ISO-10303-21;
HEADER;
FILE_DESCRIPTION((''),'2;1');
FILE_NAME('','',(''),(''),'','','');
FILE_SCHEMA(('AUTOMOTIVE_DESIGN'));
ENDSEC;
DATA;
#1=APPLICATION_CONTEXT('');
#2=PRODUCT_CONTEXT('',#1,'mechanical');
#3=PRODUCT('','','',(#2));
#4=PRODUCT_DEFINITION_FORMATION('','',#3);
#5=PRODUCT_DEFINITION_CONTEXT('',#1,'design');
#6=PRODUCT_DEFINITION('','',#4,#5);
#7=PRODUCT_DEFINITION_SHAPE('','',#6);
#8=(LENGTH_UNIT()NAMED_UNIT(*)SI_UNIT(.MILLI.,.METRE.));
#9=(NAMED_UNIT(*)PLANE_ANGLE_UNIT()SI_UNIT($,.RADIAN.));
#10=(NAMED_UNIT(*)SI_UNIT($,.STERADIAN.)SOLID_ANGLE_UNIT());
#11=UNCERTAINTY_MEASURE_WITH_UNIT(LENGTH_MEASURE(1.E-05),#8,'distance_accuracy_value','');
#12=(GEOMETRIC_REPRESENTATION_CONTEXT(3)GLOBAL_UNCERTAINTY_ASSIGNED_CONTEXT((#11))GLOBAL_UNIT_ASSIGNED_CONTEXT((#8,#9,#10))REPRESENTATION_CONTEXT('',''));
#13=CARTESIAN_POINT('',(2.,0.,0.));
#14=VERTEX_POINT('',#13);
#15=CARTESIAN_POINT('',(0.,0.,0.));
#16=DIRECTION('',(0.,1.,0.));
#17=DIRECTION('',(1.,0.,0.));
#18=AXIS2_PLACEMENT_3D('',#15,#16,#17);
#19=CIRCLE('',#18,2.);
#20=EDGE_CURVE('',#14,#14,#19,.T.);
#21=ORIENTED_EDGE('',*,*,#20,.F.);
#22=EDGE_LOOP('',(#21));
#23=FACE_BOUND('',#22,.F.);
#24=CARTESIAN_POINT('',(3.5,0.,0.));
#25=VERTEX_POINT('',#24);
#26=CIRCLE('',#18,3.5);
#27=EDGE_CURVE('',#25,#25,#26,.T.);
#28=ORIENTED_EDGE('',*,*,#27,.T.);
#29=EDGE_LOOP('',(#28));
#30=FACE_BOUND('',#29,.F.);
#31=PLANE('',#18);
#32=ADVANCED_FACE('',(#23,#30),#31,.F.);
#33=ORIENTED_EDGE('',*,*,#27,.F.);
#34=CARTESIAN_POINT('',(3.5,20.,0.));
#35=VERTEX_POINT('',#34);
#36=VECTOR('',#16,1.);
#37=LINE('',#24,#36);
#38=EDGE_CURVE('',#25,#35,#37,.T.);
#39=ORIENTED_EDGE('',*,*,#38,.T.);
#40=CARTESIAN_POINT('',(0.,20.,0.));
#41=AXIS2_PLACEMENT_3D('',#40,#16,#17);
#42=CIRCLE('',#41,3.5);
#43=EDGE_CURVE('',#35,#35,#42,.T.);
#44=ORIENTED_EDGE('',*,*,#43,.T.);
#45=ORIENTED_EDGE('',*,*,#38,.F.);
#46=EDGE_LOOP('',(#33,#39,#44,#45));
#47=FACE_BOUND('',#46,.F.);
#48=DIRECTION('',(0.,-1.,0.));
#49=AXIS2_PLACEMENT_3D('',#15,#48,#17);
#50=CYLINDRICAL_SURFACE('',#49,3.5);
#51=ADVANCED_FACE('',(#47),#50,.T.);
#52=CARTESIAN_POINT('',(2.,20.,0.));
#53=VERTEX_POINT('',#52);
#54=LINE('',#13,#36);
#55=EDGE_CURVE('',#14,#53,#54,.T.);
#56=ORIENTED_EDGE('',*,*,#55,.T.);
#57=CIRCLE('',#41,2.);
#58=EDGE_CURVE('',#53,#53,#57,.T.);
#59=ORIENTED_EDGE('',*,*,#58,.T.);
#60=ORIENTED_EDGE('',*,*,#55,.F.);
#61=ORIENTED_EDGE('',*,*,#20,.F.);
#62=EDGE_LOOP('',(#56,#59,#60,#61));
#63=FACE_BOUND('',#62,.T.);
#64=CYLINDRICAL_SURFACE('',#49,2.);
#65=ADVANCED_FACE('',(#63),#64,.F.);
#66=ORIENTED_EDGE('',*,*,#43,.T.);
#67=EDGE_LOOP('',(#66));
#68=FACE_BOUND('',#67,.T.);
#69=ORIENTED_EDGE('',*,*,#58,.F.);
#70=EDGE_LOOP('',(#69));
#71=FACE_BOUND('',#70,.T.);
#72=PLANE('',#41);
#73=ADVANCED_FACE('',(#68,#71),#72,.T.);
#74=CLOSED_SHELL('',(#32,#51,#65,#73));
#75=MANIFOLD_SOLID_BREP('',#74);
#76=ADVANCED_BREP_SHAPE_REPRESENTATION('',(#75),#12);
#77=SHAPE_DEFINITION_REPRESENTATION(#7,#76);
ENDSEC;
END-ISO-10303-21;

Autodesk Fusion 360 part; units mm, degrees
sketch "Sketch1" plane through (0, 0, 0) normal (0, 1, 0) x (1, 0, 0)
  circle A0 centre (0, 0) radius 3.5
  circle A1 centre (0, 0) radius 2
  dimension "d1" = 7
  dimension "d2" = 4
extrude "Extrude1" add sketch "Sketch1" along normal blind 20
